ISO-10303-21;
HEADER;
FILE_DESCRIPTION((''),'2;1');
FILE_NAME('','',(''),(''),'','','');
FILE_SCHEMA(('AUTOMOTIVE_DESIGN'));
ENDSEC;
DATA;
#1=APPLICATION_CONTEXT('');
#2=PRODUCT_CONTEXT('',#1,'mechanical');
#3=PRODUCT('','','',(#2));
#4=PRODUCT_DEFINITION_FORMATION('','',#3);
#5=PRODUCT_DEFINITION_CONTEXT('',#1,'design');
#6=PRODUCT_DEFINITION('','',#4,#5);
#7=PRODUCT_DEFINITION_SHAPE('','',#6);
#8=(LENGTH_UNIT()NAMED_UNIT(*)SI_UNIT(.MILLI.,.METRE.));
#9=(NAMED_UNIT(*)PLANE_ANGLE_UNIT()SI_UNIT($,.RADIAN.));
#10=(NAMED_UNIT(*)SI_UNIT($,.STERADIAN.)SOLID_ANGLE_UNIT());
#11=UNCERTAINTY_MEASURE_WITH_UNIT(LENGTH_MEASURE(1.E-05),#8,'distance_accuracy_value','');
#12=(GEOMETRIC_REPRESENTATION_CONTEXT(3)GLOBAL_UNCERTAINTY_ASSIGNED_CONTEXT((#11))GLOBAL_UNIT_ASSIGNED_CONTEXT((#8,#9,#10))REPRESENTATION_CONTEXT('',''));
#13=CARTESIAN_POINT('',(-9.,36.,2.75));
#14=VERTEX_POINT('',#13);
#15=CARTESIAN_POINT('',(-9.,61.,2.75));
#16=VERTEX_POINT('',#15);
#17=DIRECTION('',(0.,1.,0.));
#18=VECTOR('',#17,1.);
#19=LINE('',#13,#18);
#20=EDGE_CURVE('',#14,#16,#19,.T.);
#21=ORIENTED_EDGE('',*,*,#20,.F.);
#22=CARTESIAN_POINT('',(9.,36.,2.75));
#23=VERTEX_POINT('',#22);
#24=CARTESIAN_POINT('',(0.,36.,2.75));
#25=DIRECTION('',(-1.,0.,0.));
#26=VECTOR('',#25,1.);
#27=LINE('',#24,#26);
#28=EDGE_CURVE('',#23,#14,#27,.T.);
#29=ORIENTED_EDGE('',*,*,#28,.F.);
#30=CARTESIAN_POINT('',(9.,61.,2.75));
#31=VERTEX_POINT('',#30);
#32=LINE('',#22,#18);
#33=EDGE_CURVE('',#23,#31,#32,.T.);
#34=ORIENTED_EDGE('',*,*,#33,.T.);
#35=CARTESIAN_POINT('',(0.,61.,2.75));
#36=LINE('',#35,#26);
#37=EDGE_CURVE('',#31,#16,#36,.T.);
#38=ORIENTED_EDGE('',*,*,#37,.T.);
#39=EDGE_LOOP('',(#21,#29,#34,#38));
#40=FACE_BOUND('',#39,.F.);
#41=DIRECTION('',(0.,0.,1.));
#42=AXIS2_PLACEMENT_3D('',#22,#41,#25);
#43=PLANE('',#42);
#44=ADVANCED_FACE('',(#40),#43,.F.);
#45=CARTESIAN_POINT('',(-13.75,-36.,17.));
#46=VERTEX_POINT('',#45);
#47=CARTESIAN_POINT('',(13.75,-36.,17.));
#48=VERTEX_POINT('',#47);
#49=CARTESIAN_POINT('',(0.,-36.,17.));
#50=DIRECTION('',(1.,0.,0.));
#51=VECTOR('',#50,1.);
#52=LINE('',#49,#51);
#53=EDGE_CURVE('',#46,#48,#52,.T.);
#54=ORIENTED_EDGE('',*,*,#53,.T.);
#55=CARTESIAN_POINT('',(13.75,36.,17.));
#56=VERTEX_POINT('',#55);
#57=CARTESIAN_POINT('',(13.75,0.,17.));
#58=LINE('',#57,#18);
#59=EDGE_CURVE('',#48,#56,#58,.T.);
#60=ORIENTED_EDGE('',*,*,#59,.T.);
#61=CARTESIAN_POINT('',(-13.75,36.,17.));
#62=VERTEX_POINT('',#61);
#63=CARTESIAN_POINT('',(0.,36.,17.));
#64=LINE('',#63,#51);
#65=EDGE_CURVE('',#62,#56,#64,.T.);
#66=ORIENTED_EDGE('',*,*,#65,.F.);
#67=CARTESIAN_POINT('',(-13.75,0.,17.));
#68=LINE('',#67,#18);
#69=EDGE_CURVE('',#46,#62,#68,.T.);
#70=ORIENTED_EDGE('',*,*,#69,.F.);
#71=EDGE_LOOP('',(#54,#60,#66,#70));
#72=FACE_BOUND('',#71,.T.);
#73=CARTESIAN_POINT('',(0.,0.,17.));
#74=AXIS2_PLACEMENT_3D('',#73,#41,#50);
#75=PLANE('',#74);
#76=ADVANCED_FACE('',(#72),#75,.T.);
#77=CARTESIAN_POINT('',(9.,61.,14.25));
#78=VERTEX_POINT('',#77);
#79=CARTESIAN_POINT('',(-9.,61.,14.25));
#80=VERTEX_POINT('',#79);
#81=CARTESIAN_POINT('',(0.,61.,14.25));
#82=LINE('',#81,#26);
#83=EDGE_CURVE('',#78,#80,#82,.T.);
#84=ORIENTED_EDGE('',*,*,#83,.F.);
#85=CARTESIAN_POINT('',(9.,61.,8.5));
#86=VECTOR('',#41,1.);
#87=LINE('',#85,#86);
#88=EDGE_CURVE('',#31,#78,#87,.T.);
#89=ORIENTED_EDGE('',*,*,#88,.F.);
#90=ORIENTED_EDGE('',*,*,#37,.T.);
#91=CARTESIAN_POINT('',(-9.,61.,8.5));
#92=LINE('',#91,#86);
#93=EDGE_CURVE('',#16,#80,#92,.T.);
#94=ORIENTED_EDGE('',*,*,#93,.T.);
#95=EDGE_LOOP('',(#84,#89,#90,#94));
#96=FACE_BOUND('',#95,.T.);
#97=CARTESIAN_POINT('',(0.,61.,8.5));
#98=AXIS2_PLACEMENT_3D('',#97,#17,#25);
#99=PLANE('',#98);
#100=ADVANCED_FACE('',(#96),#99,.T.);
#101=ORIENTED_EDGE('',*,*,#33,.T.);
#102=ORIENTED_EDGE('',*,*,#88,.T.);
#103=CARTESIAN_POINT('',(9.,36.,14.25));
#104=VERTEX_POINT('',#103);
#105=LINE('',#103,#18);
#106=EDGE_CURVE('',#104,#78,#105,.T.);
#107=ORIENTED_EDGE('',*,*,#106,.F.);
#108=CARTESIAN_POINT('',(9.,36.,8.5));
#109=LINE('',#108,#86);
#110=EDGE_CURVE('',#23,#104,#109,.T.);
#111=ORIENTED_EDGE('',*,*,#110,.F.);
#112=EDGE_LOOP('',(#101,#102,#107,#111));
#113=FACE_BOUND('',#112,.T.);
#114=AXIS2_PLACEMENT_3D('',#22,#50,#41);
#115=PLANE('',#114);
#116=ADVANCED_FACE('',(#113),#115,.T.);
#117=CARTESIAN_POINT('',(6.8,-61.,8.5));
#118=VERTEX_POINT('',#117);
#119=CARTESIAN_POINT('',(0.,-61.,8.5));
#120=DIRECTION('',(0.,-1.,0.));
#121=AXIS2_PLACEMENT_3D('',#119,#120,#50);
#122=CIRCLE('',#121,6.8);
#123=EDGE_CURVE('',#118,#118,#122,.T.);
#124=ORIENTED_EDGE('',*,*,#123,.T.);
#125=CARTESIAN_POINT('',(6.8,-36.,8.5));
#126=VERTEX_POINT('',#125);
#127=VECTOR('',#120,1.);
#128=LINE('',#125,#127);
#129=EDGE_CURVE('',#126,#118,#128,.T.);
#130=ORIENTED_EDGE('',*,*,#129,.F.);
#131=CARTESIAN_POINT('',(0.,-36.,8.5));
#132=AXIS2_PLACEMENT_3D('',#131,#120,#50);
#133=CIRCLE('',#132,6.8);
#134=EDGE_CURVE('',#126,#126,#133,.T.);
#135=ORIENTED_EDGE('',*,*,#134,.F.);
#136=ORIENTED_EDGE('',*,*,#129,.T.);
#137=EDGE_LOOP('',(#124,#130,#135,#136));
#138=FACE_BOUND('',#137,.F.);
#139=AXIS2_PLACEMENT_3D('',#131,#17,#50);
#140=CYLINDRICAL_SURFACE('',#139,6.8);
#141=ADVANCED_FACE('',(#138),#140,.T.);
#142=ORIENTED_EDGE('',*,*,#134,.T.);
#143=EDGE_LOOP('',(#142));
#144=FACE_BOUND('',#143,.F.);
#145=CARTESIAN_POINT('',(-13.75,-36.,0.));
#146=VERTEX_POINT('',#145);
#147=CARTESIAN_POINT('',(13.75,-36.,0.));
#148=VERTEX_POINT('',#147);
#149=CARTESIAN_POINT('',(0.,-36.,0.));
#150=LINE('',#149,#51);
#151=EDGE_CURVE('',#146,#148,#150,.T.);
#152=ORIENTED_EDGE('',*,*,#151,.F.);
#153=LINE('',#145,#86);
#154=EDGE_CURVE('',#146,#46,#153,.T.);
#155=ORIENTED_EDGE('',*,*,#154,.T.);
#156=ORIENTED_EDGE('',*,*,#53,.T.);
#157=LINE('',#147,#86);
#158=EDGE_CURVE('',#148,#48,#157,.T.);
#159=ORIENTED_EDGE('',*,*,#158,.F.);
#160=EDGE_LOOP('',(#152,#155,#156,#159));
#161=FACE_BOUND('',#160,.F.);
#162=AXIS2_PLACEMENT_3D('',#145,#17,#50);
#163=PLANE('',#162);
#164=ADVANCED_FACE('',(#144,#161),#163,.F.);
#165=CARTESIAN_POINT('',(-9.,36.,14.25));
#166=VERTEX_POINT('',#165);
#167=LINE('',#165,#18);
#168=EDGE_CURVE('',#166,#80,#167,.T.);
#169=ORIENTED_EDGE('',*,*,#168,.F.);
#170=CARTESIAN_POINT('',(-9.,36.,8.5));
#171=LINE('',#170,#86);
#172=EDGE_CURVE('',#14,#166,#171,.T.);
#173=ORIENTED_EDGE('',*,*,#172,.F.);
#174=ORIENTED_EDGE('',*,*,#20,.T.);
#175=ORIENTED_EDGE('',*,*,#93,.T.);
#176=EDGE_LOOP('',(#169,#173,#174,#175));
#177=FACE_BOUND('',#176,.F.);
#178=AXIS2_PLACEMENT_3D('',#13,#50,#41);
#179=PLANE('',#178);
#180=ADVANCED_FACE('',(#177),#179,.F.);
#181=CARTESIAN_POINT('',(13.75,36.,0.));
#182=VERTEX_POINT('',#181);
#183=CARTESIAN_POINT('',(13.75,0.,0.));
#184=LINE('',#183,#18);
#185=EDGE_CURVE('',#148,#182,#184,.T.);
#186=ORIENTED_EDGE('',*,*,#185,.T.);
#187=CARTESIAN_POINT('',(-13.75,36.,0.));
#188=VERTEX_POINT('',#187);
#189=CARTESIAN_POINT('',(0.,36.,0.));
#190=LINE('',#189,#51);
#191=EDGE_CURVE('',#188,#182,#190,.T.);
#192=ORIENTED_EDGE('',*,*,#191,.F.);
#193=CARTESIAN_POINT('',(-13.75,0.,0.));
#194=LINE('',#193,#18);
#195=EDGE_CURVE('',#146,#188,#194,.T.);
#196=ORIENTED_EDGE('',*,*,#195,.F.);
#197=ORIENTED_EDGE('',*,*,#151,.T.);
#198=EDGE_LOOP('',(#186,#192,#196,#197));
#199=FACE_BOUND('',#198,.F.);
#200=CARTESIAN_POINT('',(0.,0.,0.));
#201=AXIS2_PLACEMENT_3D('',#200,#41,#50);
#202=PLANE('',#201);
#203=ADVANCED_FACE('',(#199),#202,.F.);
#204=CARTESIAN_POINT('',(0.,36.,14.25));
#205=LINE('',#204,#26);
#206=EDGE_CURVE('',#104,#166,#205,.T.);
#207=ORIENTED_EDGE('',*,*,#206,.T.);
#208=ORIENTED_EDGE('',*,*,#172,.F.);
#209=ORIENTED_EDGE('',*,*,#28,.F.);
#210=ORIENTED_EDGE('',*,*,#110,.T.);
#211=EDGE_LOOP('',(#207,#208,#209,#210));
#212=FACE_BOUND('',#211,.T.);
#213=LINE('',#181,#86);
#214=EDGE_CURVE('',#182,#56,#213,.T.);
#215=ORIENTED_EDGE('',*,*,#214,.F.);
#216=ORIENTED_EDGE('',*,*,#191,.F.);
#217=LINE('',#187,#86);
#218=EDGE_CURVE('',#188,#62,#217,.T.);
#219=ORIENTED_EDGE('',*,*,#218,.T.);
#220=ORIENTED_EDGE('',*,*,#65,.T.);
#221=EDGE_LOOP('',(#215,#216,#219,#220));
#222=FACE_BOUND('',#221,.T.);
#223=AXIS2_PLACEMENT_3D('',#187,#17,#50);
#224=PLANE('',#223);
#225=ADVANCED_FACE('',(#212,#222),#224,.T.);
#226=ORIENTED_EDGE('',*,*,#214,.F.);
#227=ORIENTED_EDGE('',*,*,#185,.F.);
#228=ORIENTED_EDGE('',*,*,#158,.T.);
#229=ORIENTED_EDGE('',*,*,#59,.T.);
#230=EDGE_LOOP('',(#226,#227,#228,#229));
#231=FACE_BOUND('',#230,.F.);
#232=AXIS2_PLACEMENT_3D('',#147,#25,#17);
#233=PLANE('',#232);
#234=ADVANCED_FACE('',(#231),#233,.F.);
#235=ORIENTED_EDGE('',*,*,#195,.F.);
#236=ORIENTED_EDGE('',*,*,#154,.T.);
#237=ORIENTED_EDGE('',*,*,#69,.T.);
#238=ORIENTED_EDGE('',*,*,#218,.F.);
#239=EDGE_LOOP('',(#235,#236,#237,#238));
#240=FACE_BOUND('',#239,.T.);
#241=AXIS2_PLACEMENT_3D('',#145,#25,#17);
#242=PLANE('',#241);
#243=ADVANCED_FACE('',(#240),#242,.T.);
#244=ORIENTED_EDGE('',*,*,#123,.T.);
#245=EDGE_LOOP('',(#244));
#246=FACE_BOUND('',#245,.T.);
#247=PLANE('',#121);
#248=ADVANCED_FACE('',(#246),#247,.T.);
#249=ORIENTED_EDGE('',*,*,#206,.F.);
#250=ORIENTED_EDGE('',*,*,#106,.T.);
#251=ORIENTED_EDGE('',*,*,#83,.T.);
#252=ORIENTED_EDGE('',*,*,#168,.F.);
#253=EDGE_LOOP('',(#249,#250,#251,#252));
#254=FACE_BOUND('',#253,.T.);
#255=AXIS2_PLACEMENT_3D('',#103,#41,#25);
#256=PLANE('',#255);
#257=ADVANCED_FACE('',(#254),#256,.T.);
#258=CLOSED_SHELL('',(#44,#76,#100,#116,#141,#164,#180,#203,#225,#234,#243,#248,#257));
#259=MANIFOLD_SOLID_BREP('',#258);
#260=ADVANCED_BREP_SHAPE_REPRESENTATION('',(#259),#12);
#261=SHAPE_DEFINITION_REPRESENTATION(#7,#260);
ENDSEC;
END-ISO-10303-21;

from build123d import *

# Parameters (mm, degrees)
F0_W     = 27.5
F0_H     = 72
F1_DEPTH = 17
F2_W     = 18
F2_H     = 11.5
F3_DEPTH = 25
F4_R     = 6.8
F5_DEPTH = 25


with BuildPart() as f1:
    # F0 (on Top) → F1 (new body)
    with BuildSketch(Plane.XY):
        Rectangle(F0_W, F0_H)
    extrude(amount=F1_DEPTH)

    # F2 (on face) → F3 (join)
    with BuildSketch(Plane(origin=(0, 36, 0), x_dir=(-1, 0, 0), z_dir=(0, 1, 0))):
        with Locations((0, 8.5)):
            Rectangle(F2_W, F2_H)
    extrude(amount=F3_DEPTH)

    # F4 (on face) → F5 (join)
    with BuildSketch(Plane.XZ.offset(36)):
        with Locations((0, 8.5)):
            Circle(F4_R)
    extrude(amount=F5_DEPTH)


solid = f1.part
